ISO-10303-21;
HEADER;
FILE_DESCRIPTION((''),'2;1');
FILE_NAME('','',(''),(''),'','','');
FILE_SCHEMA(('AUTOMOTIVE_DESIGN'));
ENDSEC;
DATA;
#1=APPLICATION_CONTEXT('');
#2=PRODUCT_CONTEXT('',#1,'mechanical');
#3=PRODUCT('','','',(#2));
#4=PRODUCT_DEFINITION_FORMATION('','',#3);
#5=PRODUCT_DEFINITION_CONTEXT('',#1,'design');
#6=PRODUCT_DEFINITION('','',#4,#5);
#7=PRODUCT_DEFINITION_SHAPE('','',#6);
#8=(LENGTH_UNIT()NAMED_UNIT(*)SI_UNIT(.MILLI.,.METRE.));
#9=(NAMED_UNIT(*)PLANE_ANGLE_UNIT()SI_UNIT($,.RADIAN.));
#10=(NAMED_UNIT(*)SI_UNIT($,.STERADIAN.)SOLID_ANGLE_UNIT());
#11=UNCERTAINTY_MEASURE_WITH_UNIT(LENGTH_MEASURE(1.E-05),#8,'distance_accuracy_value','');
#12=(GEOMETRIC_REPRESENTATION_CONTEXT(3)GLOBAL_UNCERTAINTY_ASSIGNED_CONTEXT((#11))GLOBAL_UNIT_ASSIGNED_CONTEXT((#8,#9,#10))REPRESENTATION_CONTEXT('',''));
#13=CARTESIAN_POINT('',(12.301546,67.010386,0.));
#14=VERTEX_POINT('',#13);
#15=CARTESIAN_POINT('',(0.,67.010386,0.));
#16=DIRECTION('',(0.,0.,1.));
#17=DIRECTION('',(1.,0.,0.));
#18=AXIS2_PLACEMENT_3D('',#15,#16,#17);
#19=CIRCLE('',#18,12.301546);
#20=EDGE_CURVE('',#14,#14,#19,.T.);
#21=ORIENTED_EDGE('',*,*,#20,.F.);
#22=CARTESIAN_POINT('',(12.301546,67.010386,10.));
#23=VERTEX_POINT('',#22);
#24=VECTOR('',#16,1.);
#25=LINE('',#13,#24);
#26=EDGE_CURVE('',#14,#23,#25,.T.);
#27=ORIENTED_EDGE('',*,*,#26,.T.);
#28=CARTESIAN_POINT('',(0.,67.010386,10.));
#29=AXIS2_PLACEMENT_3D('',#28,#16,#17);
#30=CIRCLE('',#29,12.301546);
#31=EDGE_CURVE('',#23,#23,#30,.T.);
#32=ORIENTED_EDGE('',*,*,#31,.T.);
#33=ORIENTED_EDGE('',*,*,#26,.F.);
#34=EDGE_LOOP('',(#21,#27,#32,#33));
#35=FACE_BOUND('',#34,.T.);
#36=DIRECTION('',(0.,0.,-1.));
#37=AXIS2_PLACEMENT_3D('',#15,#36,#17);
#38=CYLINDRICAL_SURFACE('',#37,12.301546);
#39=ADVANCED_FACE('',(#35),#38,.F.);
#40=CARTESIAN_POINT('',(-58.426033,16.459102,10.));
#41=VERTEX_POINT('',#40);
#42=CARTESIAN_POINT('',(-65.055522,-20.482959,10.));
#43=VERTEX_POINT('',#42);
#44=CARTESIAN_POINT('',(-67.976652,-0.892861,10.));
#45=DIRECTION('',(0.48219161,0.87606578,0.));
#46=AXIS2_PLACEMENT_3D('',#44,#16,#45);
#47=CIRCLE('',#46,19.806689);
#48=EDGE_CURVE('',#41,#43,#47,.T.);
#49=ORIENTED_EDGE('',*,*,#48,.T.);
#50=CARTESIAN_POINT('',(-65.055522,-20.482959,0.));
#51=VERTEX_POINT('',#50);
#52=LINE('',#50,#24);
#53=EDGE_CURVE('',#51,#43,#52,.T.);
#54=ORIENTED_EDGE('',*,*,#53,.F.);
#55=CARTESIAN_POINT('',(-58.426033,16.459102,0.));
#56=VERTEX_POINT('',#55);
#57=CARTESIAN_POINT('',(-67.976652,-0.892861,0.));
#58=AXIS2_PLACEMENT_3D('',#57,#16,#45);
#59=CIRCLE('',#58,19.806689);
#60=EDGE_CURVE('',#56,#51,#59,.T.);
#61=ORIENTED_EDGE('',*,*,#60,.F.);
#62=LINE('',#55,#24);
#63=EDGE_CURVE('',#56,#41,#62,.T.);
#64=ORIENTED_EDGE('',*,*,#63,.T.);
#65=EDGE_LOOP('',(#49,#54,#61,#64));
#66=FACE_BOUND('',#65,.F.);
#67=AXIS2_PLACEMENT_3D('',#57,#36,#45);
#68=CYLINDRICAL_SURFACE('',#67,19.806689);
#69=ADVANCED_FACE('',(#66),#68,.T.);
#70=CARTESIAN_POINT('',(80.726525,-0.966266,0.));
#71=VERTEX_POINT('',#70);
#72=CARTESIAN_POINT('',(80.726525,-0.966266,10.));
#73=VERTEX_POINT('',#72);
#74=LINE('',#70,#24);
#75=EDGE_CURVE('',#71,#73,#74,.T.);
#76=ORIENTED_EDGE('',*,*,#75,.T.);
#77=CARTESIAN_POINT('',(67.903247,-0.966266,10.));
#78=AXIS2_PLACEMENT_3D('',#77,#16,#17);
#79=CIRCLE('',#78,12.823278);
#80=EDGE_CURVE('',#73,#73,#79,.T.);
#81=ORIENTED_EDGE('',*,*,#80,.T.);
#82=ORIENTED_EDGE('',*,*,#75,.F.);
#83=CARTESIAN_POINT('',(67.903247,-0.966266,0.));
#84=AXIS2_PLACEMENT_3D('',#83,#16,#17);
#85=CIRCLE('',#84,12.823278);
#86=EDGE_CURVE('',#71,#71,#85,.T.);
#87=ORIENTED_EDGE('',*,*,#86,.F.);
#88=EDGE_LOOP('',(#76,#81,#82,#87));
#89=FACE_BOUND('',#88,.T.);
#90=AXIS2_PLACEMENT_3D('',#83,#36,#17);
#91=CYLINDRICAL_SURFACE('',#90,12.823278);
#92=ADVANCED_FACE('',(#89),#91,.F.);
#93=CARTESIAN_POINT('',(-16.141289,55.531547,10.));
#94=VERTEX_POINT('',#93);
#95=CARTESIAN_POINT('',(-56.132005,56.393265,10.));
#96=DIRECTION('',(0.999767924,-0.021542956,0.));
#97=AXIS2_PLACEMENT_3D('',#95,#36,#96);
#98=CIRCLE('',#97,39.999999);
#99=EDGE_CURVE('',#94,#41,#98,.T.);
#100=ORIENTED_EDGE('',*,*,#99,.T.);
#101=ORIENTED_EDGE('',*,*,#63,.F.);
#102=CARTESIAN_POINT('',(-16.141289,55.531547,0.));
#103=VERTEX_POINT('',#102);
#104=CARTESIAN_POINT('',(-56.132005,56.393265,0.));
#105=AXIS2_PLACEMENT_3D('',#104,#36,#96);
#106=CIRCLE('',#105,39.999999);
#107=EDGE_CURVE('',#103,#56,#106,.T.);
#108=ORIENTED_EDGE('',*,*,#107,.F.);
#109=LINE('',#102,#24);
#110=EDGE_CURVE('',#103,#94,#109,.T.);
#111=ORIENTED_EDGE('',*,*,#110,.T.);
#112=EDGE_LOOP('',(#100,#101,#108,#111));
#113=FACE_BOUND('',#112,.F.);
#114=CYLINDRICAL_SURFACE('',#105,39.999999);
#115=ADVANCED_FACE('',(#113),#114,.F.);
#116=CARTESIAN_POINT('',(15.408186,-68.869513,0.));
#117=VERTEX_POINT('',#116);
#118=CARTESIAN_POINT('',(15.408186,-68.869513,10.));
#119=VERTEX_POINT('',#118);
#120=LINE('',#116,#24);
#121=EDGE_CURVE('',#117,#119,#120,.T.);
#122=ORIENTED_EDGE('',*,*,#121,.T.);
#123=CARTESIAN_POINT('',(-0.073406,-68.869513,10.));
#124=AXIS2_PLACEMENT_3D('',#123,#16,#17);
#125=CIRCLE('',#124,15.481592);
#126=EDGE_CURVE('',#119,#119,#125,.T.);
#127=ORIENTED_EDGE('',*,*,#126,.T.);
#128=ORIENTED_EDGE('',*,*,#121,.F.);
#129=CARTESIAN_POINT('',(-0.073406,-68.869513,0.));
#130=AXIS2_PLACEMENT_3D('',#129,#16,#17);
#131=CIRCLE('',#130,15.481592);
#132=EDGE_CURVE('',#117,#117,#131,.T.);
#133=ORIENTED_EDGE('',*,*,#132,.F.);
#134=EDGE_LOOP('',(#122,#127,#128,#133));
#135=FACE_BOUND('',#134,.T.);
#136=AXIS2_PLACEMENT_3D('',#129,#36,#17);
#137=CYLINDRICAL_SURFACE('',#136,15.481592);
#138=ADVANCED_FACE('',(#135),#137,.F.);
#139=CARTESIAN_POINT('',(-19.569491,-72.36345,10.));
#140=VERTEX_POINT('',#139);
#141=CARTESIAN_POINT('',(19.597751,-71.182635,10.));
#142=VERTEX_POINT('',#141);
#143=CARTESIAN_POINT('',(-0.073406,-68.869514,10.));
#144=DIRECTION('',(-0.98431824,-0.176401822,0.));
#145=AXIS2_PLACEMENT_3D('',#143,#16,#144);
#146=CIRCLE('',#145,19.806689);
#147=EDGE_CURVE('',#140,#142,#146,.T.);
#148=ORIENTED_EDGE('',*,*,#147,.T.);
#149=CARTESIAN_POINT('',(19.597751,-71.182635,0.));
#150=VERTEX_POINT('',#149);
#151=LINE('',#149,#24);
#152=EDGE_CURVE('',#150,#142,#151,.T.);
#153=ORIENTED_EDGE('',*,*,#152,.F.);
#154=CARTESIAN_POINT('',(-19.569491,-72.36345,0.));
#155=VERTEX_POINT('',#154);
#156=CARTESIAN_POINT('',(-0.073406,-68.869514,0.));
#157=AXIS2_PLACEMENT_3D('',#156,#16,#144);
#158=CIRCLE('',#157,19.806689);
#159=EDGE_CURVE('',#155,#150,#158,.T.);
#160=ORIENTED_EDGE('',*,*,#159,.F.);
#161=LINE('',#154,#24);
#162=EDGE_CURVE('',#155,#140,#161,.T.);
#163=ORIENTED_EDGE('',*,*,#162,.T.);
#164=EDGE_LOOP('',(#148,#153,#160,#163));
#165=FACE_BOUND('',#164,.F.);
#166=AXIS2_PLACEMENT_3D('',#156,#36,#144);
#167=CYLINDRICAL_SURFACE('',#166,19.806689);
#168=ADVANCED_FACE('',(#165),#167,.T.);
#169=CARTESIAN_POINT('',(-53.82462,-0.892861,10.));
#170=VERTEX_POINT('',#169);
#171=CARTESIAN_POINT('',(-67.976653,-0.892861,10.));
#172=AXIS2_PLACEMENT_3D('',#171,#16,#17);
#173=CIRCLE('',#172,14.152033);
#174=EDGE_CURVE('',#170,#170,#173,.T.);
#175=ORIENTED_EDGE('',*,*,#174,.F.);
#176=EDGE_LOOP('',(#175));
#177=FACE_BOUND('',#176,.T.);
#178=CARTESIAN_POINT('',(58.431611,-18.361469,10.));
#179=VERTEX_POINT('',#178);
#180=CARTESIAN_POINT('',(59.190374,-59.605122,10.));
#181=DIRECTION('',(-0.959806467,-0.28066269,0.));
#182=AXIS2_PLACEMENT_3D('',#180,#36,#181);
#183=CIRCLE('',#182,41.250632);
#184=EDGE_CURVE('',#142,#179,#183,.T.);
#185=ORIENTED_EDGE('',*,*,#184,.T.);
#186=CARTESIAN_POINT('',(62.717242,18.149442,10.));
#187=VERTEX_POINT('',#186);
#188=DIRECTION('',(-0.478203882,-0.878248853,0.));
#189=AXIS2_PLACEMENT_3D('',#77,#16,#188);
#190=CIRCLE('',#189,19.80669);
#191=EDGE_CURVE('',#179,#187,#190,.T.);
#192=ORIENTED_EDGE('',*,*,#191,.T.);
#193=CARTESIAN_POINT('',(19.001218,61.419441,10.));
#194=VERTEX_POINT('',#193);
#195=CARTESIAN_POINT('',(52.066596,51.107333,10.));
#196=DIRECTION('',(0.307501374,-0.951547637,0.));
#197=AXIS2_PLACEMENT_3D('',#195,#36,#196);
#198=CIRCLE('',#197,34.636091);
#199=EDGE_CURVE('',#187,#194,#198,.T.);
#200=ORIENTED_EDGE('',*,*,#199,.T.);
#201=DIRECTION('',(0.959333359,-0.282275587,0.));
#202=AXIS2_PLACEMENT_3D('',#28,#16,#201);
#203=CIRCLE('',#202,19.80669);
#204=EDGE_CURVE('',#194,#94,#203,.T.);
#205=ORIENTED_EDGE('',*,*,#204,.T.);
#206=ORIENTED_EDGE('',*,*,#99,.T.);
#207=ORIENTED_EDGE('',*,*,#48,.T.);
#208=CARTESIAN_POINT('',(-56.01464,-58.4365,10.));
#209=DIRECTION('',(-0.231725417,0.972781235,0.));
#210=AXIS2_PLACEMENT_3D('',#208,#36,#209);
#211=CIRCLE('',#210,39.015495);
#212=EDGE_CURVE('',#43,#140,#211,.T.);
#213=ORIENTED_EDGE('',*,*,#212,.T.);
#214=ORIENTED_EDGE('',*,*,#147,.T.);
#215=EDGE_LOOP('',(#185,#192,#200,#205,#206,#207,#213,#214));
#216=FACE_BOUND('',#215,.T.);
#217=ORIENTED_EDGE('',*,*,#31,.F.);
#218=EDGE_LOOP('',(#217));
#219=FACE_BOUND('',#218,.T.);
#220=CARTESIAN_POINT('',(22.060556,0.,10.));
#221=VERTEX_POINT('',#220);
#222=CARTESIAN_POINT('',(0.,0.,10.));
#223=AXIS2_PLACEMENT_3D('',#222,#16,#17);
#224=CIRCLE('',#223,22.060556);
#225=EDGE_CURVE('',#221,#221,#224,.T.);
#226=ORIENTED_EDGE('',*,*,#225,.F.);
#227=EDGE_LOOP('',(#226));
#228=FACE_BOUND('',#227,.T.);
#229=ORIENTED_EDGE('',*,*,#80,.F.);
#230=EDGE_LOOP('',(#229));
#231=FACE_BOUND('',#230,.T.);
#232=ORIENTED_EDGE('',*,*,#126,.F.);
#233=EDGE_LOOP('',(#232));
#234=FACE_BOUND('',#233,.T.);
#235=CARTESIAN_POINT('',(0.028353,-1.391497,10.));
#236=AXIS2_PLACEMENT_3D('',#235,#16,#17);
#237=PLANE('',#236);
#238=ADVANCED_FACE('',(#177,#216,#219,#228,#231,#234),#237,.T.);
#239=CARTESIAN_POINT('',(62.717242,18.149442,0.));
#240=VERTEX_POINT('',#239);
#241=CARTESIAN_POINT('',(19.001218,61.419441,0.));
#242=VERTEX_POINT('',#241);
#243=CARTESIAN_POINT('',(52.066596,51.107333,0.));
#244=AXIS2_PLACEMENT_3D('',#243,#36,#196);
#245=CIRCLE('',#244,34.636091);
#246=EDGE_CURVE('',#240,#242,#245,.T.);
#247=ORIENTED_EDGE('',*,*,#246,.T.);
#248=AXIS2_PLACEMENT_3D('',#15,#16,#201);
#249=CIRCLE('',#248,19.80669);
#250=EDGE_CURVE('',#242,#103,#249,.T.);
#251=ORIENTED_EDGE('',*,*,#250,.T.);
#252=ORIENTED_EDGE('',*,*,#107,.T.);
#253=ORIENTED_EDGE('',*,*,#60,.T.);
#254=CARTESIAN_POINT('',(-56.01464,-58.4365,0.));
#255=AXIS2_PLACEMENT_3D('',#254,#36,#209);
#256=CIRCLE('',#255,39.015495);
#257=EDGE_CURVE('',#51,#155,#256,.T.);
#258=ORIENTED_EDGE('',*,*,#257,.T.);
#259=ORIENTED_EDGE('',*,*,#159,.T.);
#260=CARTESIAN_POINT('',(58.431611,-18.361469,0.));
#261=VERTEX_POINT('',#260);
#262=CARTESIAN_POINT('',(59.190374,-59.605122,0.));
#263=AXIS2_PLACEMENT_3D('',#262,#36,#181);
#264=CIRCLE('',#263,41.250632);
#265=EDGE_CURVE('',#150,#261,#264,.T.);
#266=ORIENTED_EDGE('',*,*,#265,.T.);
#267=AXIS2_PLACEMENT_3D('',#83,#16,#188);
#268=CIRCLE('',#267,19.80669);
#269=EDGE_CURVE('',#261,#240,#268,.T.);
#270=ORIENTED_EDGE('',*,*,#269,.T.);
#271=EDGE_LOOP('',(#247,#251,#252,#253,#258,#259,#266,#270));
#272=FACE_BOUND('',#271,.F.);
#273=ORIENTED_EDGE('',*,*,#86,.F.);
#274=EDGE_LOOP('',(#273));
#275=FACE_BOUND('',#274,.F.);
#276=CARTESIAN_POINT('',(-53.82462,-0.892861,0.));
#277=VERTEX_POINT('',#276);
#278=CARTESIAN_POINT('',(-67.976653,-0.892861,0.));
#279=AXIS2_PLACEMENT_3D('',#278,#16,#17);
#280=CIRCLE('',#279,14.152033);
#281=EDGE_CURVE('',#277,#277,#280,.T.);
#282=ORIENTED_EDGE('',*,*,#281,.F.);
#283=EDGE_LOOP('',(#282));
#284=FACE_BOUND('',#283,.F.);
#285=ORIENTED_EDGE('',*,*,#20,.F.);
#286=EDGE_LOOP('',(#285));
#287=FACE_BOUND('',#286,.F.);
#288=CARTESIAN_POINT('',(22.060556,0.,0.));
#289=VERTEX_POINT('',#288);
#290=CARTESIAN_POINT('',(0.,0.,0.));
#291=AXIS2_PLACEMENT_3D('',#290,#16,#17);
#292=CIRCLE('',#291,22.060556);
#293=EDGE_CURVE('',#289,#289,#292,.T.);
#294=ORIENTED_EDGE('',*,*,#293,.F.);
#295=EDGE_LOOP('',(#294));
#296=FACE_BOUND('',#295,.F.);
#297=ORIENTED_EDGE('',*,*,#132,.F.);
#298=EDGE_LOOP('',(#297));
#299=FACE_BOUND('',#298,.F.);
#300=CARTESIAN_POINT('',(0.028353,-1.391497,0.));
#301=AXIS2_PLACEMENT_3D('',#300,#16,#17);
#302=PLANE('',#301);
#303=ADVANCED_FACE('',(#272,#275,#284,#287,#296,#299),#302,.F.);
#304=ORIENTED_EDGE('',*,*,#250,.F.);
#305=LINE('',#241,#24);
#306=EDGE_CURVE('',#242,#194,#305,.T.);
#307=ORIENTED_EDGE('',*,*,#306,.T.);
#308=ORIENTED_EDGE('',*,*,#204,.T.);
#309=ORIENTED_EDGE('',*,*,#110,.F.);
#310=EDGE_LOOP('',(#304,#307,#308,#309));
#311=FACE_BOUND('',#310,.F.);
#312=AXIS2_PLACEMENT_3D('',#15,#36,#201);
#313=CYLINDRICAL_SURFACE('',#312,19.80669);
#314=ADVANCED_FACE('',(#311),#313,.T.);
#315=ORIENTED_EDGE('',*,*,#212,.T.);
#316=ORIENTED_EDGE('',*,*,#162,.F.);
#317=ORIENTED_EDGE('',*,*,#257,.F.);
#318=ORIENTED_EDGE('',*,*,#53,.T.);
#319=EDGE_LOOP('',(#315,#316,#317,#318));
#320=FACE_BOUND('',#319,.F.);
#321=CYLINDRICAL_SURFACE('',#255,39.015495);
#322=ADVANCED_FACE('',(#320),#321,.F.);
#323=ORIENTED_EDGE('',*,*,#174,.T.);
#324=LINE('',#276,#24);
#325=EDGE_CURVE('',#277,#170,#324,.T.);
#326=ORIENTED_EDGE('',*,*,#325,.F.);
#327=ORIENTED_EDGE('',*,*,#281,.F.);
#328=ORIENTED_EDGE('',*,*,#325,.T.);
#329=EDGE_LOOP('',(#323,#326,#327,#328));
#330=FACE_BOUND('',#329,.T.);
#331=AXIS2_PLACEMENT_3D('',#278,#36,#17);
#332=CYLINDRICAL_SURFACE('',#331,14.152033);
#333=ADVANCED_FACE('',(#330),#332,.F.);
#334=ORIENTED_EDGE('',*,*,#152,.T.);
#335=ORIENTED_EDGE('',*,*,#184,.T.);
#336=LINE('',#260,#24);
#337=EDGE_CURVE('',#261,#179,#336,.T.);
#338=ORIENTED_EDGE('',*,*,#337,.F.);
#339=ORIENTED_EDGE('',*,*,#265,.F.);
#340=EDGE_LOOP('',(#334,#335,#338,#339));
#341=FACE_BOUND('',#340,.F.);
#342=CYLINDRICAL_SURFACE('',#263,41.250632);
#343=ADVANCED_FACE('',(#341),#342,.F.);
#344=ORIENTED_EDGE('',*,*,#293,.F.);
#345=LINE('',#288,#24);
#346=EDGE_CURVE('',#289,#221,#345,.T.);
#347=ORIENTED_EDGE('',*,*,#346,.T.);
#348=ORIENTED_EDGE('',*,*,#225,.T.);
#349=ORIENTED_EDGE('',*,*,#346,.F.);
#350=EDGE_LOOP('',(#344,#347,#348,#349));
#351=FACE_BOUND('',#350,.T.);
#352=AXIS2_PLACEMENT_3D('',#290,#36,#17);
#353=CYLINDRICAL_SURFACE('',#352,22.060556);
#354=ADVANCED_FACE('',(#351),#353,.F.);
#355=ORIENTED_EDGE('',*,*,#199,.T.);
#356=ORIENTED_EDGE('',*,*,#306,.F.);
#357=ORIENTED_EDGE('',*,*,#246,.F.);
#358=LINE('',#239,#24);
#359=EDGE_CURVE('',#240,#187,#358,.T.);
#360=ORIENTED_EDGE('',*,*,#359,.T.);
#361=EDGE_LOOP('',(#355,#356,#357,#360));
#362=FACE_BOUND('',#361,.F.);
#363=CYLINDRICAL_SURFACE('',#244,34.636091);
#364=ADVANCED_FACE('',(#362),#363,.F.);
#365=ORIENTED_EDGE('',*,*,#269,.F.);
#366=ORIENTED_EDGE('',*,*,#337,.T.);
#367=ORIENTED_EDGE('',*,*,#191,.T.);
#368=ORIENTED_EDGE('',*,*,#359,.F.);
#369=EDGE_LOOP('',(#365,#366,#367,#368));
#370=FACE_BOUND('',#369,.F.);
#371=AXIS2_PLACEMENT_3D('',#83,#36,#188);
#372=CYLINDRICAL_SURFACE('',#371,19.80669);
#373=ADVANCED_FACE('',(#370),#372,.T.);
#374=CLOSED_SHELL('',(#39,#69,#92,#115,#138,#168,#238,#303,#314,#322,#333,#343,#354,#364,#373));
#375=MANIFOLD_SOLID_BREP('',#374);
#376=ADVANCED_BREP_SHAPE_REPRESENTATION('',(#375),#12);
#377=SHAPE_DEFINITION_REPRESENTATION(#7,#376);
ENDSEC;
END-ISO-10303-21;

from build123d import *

# Parameters (mm, degrees)
F1_R     = 15.481592
F1_R_2   = 12.823278
F1_R_3   = 14.152033
F1_R_4   = 22.060556
F1_R_5   = 12.301546
F2_DEPTH = 10


with BuildPart() as f2:
    # F1 (on face) → F2 (new body)
    with BuildSketch(Plane.XY):
        with BuildLine():
            ThreePointArc((58.431611, -18.361469), (87.574883, -3.275312), (62.717242, 18.149442))
            ThreePointArc((62.717242, 18.149442), (27.701082, 26.490661), (19.001218, 61.419441))
            ThreePointArc((19.001218, 61.419441), (-3.272861, 86.5448), (-16.141289, 55.531547))
            ThreePointArc((-16.141289, 55.531547), (-28.98566, 27.015112), (-58.426033, 16.459102))
            ThreePointArc((-58.426033, 16.459102), (-87.471911, 2.605688), (-65.055522, -20.482959))
            ThreePointArc((-65.055522, -20.482959), (-26.677892, -32.715613), (-19.569491, -72.36345))
            ThreePointArc((-19.569491, -72.36345), (0.523456, -88.667208), (19.597751, -71.182635))
            ThreePointArc((19.597751, -71.182635), (25.95519, -35.170778), (58.431611, -18.361469))
        make_face()
        with Locations((-0.073406, -68.869513)):
            Circle(F1_R, mode=Mode.SUBTRACT)
        with Locations((67.903247, -0.966266)):
            Circle(F1_R_2, mode=Mode.SUBTRACT)
        with Locations((-67.976653, -0.892861)):
            Circle(F1_R_3, mode=Mode.SUBTRACT)
        Circle(F1_R_4, mode=Mode.SUBTRACT)
        with Locations((0, 67.010386)):
            Circle(F1_R_5, mode=Mode.SUBTRACT)
    extrude(amount=F2_DEPTH)


solid = f2.part
